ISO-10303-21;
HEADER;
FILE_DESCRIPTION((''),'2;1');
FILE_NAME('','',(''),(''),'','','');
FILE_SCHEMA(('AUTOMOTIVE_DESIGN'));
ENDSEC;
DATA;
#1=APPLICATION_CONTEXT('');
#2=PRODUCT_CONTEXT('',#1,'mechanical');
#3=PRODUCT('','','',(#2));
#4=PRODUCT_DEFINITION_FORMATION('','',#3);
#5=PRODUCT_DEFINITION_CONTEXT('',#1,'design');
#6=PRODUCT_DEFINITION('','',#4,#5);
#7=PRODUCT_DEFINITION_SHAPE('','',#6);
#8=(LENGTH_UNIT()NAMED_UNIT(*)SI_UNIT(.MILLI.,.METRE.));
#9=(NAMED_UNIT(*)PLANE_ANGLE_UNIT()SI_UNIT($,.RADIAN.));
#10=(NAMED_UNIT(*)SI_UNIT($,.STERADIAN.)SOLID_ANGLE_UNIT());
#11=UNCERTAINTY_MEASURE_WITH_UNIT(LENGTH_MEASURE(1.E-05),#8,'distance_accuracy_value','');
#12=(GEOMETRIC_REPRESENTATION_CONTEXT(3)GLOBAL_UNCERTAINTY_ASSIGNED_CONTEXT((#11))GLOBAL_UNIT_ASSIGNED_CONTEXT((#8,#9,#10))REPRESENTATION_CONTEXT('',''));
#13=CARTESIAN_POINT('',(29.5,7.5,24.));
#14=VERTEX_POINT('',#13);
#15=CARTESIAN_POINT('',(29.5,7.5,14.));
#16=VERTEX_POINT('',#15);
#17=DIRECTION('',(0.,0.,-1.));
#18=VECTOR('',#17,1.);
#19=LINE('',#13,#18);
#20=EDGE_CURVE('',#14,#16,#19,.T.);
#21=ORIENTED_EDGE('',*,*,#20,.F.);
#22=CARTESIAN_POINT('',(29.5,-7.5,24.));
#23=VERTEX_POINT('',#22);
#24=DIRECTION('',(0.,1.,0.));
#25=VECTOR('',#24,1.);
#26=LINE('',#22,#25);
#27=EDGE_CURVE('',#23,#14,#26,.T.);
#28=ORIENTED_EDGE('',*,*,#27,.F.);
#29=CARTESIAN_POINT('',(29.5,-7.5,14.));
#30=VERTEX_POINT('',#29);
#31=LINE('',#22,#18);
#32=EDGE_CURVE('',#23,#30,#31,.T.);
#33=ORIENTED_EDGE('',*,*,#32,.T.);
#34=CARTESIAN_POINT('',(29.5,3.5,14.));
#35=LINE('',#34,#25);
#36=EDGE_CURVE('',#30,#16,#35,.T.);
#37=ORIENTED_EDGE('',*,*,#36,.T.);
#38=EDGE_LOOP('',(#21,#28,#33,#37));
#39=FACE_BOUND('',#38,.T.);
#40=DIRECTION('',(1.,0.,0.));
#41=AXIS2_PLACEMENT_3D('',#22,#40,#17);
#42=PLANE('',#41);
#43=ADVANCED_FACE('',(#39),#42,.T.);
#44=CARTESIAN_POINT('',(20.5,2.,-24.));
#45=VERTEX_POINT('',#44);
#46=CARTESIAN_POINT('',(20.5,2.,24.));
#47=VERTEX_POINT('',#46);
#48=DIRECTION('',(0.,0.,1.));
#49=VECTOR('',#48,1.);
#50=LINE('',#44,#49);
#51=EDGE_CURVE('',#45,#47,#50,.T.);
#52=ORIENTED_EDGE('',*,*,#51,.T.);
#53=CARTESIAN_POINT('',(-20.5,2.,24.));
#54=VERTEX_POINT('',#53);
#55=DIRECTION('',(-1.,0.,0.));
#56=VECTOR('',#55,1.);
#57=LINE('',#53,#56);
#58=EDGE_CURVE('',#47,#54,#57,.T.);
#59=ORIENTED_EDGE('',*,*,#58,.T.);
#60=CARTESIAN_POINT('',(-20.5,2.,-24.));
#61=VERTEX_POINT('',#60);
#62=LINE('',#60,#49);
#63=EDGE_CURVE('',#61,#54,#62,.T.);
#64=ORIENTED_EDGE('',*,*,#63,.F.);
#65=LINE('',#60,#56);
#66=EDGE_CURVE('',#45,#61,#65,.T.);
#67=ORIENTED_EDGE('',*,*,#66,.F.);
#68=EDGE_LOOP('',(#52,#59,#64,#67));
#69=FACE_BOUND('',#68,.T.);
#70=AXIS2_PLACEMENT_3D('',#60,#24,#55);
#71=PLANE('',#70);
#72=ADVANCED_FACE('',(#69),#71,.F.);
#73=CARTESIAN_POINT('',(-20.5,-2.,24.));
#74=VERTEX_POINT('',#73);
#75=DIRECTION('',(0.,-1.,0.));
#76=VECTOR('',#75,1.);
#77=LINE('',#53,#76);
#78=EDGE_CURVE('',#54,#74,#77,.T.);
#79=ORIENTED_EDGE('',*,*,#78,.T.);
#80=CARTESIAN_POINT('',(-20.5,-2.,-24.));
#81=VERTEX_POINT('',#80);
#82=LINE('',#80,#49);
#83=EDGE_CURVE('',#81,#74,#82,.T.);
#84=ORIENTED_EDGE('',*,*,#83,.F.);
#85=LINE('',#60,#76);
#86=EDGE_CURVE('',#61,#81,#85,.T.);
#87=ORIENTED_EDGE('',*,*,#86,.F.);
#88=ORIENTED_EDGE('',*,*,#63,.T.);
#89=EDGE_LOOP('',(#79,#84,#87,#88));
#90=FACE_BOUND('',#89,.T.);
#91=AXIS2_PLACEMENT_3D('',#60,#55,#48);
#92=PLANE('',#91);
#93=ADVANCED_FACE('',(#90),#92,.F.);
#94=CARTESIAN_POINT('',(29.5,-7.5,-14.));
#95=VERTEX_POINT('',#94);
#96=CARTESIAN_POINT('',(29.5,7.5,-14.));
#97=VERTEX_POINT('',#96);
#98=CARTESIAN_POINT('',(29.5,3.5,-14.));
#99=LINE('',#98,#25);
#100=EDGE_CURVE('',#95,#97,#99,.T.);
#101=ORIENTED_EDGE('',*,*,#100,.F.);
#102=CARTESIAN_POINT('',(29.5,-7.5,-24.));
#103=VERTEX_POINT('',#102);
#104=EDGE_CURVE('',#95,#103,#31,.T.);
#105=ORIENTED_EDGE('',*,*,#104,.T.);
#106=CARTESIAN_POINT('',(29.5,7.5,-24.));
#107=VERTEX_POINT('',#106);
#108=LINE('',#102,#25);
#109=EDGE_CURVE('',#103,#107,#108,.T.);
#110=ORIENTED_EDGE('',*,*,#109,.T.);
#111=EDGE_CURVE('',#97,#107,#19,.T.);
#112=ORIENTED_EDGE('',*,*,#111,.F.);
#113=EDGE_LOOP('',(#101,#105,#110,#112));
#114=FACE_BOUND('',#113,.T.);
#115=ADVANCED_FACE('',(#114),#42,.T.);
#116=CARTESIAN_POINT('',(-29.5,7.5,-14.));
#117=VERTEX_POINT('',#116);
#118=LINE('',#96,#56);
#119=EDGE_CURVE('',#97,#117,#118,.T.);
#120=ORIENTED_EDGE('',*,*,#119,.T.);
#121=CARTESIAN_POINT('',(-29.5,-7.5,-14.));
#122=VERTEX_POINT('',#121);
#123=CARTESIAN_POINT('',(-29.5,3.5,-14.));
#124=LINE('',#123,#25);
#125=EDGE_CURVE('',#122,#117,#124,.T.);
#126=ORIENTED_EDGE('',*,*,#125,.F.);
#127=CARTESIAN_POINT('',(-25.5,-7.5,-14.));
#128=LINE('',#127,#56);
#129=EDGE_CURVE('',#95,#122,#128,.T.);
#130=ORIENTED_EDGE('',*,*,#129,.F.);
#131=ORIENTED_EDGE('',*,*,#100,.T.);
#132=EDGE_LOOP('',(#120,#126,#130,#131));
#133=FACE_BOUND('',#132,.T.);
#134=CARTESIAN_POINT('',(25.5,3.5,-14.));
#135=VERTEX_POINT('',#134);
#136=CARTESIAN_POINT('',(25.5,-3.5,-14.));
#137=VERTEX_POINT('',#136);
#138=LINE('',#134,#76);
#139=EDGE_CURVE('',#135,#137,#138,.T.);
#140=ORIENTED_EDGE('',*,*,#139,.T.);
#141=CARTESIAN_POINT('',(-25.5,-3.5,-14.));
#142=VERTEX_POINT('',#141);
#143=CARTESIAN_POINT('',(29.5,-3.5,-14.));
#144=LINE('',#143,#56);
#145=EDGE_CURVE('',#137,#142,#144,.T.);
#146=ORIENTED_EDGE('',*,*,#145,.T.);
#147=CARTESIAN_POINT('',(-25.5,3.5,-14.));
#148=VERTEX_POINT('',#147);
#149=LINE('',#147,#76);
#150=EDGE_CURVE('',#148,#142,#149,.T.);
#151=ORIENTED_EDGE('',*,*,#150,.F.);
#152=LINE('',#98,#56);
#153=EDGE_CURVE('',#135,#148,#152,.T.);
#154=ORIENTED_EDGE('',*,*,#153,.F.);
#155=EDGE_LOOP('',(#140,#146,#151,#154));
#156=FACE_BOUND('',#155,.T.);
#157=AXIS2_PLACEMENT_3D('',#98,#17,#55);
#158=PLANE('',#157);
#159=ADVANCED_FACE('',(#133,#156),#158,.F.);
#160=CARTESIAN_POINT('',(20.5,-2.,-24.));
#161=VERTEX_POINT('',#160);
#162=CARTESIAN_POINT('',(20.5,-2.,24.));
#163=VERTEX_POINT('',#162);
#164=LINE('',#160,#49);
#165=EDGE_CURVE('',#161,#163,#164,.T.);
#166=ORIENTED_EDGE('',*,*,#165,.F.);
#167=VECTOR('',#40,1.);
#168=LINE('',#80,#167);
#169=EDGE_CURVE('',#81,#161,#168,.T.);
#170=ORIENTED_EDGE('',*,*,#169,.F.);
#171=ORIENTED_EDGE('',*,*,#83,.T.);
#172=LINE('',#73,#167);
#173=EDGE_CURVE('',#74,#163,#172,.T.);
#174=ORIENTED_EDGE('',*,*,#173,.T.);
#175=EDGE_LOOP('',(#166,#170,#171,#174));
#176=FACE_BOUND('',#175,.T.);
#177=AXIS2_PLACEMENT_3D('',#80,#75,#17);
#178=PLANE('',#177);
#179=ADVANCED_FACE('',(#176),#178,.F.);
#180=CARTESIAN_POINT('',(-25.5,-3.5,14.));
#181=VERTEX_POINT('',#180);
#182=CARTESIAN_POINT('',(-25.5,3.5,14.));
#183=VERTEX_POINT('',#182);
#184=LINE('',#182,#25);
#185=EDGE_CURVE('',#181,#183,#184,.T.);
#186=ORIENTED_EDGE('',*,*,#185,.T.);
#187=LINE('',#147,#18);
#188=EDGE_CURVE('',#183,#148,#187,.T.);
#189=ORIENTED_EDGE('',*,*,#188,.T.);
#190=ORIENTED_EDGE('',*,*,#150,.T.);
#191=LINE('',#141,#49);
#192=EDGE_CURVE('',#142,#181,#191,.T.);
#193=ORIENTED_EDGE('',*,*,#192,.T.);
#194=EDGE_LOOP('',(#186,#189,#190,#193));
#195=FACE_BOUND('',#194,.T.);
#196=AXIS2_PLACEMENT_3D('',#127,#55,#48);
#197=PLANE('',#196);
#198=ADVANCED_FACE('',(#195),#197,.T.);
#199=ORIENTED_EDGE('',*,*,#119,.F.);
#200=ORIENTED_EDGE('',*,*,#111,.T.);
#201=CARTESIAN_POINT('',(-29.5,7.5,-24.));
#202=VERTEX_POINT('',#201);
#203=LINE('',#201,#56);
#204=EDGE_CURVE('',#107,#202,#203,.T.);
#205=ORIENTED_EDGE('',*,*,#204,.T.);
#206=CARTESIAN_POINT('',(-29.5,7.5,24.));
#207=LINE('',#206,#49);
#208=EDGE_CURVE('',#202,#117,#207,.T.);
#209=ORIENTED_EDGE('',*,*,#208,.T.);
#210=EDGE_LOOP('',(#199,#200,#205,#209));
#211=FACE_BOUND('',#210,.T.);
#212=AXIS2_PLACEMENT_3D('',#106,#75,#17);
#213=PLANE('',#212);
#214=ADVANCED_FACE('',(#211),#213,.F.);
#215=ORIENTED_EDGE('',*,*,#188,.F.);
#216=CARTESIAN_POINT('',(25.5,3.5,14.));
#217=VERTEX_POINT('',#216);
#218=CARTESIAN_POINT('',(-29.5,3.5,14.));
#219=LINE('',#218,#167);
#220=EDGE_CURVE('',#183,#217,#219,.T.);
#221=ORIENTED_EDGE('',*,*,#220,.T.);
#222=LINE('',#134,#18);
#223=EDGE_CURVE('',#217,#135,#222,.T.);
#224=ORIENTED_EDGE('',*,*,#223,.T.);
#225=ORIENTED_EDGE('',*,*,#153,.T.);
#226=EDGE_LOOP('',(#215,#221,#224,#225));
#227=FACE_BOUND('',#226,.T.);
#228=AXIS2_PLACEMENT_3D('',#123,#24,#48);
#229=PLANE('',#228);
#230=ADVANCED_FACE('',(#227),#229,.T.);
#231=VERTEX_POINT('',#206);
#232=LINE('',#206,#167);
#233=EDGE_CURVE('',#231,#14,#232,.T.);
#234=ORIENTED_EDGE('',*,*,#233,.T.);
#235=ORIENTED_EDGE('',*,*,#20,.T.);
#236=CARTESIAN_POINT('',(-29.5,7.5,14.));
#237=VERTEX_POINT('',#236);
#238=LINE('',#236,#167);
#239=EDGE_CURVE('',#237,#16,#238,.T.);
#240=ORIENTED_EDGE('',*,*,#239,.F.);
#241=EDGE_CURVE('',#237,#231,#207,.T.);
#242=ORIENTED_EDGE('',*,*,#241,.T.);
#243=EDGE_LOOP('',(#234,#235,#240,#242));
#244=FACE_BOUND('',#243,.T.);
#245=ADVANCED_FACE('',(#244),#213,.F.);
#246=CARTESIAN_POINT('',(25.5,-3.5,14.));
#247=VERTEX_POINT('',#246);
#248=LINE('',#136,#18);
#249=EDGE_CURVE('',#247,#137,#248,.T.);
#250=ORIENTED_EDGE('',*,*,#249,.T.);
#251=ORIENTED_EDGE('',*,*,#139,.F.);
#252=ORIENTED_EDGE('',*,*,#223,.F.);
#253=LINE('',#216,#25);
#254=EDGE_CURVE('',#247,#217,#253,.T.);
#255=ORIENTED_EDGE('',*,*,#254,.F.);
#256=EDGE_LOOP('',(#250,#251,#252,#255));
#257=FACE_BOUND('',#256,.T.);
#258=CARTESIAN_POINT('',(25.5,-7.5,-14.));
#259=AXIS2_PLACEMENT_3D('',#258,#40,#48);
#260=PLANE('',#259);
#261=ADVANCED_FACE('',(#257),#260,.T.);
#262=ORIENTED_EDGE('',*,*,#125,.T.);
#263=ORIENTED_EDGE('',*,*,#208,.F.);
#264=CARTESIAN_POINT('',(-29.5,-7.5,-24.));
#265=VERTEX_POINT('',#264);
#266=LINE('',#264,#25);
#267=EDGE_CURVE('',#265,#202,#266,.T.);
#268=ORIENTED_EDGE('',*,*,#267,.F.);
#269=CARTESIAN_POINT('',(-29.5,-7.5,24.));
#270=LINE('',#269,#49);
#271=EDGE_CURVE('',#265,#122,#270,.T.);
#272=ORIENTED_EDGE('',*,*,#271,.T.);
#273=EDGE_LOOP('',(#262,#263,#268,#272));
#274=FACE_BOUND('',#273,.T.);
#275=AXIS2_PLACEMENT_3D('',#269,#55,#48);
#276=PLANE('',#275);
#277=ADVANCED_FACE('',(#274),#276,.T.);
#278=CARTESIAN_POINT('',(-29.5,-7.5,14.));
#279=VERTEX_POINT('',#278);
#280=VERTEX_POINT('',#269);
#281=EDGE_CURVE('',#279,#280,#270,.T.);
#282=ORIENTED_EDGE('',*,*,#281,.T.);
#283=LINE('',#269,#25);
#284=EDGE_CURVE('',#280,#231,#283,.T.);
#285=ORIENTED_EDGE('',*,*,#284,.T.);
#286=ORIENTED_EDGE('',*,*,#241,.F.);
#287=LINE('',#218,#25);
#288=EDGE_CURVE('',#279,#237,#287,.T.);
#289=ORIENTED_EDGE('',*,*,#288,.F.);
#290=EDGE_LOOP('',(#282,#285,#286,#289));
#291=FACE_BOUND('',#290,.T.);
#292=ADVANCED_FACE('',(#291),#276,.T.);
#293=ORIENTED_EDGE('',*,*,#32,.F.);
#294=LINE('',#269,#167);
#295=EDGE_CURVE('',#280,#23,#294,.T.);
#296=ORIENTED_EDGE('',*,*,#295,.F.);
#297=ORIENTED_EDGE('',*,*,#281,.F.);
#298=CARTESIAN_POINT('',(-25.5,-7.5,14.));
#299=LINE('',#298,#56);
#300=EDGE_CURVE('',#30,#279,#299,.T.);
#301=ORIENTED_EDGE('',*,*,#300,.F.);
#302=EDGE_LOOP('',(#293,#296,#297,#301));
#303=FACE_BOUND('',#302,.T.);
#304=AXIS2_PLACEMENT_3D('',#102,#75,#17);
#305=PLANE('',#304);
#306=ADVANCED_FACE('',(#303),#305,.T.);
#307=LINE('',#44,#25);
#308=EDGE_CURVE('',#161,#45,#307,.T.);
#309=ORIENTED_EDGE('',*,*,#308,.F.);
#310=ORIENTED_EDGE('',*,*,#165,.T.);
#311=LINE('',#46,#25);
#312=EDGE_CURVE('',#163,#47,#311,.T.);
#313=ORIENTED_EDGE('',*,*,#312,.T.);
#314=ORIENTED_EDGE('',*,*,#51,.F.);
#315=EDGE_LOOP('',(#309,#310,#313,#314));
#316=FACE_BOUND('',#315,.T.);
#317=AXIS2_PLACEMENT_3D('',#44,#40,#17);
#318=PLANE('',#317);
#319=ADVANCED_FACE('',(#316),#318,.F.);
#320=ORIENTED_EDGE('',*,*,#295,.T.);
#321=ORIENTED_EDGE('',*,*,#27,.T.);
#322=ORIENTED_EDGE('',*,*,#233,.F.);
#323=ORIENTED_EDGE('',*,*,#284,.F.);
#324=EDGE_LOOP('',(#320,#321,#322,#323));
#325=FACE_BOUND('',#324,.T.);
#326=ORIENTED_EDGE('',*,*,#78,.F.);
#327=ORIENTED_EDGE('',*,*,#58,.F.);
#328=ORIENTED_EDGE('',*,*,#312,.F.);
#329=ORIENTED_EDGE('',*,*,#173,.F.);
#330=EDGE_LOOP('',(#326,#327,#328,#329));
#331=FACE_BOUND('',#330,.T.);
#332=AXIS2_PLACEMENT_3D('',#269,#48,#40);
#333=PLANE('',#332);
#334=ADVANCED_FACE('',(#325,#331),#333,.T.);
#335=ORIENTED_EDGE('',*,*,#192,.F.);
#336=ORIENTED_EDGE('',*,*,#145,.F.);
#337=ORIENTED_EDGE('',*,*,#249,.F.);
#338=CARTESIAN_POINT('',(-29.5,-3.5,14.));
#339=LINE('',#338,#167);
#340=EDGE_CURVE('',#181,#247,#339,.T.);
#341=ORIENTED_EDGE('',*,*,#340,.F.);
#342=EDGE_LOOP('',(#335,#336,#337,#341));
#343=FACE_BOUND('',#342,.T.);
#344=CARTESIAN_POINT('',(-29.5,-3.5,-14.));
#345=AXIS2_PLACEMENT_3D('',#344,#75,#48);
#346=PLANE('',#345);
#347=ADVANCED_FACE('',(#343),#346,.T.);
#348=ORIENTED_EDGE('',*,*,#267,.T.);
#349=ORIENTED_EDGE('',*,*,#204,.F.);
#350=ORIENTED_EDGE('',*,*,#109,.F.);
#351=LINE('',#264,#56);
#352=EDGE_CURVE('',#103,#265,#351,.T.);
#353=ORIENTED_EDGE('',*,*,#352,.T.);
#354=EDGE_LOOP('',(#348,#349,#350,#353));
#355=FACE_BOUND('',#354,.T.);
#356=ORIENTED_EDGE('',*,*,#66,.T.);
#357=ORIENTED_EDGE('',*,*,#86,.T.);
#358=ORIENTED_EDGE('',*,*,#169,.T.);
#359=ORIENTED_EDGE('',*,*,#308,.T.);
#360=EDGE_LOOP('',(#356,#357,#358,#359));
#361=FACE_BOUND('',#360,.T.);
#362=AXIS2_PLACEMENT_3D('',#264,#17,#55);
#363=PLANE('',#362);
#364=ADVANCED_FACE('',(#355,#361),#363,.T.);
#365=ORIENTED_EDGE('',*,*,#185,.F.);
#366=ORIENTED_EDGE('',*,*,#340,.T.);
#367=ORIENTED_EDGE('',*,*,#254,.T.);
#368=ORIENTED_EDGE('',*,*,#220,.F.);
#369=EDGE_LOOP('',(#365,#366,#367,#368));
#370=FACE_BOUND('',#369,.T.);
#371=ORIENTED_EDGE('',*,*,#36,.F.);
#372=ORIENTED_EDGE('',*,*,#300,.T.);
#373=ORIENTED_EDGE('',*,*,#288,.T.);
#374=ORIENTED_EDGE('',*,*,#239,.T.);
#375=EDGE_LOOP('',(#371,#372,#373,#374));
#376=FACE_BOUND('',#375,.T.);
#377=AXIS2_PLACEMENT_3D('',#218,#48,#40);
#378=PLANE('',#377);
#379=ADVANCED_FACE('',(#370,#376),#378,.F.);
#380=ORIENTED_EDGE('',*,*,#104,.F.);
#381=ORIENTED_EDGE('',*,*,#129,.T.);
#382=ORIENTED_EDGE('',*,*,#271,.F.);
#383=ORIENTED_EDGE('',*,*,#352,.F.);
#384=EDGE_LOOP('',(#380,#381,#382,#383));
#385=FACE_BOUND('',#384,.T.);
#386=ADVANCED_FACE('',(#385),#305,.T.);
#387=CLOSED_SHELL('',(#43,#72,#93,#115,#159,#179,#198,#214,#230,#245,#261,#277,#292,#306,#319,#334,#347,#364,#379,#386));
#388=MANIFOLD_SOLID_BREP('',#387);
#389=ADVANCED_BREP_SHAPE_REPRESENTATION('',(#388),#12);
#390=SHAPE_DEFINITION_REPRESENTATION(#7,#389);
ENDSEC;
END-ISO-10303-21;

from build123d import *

# Parameters (mm, degrees)
BOSS_EXTRUDE1_DEPTH      = 7.5
BOSS_EXTRUDE1_DEPTH_BACK = 7.5
SKETCH1_W                = 59
SKETCH1_H                = 48
SKETCH2_W                = 41
SKETCH2_H                = 4
CUT_EXTRUDE1_DEPTH       = 57.837487629
SKETCH3_W                = 59
SKETCH3_H                = 28
CUT_EXTRUDE2_DEPTH       = 4
SKETCH4_W                = 28
SKETCH4_H                = 11
CUT_EXTRUDE3_DEPTH       = 4


with BuildPart() as part:
    # Sketch1 → Boss-Extrude1 (new, two sides: drawn at the far end of the back side and taken through both)
    with BuildSketch(Plane(origin=(0, 0, 0), x_dir=(1, 0, 0), z_dir=(0, 1, 0)).offset(-BOSS_EXTRUDE1_DEPTH_BACK)):
        Rectangle(SKETCH1_W, SKETCH1_H)
    extrude(amount=BOSS_EXTRUDE1_DEPTH + BOSS_EXTRUDE1_DEPTH_BACK)

    # Sketch2 → Cut-Extrude1 (cut, through all)
    with BuildSketch(Plane.XY.offset(24)):
        Rectangle(SKETCH2_W, SKETCH2_H)
    extrude(amount=-CUT_EXTRUDE1_DEPTH, mode=Mode.SUBTRACT)

    # Sketch3 → Cut-Extrude2 (cut)
    with BuildSketch(Plane(origin=(0, 7.5, 0), x_dir=(1, 0, 0), z_dir=(0, 1, 0))):
        Rectangle(SKETCH3_W, SKETCH3_H)
    cut_extrude2 = extrude(amount=-CUT_EXTRUDE2_DEPTH, mode=Mode.SUBTRACT)

    # Sketch4 → Cut-Extrude3 (cut)
    with BuildSketch(Plane.ZY.offset(29.5)):
        with Locations((0, -2)):
            Rectangle(SKETCH4_W, SKETCH4_H)
    cut_extrude3 = extrude(amount=-CUT_EXTRUDE3_DEPTH, mode=Mode.SUBTRACT)

    # Mirror1: Cut-Extrude3 across plane
    add(cut_extrude3.mirror(Plane(origin=(0, 0, 0), x_dir=(0, 0, 1), z_dir=(1, 0, 0))), mode=Mode.SUBTRACT)

    # Mirror2: Cut-Extrude2 across plane
    add(cut_extrude2.mirror(Plane.ZX), mode=Mode.SUBTRACT)


solid = part.part
